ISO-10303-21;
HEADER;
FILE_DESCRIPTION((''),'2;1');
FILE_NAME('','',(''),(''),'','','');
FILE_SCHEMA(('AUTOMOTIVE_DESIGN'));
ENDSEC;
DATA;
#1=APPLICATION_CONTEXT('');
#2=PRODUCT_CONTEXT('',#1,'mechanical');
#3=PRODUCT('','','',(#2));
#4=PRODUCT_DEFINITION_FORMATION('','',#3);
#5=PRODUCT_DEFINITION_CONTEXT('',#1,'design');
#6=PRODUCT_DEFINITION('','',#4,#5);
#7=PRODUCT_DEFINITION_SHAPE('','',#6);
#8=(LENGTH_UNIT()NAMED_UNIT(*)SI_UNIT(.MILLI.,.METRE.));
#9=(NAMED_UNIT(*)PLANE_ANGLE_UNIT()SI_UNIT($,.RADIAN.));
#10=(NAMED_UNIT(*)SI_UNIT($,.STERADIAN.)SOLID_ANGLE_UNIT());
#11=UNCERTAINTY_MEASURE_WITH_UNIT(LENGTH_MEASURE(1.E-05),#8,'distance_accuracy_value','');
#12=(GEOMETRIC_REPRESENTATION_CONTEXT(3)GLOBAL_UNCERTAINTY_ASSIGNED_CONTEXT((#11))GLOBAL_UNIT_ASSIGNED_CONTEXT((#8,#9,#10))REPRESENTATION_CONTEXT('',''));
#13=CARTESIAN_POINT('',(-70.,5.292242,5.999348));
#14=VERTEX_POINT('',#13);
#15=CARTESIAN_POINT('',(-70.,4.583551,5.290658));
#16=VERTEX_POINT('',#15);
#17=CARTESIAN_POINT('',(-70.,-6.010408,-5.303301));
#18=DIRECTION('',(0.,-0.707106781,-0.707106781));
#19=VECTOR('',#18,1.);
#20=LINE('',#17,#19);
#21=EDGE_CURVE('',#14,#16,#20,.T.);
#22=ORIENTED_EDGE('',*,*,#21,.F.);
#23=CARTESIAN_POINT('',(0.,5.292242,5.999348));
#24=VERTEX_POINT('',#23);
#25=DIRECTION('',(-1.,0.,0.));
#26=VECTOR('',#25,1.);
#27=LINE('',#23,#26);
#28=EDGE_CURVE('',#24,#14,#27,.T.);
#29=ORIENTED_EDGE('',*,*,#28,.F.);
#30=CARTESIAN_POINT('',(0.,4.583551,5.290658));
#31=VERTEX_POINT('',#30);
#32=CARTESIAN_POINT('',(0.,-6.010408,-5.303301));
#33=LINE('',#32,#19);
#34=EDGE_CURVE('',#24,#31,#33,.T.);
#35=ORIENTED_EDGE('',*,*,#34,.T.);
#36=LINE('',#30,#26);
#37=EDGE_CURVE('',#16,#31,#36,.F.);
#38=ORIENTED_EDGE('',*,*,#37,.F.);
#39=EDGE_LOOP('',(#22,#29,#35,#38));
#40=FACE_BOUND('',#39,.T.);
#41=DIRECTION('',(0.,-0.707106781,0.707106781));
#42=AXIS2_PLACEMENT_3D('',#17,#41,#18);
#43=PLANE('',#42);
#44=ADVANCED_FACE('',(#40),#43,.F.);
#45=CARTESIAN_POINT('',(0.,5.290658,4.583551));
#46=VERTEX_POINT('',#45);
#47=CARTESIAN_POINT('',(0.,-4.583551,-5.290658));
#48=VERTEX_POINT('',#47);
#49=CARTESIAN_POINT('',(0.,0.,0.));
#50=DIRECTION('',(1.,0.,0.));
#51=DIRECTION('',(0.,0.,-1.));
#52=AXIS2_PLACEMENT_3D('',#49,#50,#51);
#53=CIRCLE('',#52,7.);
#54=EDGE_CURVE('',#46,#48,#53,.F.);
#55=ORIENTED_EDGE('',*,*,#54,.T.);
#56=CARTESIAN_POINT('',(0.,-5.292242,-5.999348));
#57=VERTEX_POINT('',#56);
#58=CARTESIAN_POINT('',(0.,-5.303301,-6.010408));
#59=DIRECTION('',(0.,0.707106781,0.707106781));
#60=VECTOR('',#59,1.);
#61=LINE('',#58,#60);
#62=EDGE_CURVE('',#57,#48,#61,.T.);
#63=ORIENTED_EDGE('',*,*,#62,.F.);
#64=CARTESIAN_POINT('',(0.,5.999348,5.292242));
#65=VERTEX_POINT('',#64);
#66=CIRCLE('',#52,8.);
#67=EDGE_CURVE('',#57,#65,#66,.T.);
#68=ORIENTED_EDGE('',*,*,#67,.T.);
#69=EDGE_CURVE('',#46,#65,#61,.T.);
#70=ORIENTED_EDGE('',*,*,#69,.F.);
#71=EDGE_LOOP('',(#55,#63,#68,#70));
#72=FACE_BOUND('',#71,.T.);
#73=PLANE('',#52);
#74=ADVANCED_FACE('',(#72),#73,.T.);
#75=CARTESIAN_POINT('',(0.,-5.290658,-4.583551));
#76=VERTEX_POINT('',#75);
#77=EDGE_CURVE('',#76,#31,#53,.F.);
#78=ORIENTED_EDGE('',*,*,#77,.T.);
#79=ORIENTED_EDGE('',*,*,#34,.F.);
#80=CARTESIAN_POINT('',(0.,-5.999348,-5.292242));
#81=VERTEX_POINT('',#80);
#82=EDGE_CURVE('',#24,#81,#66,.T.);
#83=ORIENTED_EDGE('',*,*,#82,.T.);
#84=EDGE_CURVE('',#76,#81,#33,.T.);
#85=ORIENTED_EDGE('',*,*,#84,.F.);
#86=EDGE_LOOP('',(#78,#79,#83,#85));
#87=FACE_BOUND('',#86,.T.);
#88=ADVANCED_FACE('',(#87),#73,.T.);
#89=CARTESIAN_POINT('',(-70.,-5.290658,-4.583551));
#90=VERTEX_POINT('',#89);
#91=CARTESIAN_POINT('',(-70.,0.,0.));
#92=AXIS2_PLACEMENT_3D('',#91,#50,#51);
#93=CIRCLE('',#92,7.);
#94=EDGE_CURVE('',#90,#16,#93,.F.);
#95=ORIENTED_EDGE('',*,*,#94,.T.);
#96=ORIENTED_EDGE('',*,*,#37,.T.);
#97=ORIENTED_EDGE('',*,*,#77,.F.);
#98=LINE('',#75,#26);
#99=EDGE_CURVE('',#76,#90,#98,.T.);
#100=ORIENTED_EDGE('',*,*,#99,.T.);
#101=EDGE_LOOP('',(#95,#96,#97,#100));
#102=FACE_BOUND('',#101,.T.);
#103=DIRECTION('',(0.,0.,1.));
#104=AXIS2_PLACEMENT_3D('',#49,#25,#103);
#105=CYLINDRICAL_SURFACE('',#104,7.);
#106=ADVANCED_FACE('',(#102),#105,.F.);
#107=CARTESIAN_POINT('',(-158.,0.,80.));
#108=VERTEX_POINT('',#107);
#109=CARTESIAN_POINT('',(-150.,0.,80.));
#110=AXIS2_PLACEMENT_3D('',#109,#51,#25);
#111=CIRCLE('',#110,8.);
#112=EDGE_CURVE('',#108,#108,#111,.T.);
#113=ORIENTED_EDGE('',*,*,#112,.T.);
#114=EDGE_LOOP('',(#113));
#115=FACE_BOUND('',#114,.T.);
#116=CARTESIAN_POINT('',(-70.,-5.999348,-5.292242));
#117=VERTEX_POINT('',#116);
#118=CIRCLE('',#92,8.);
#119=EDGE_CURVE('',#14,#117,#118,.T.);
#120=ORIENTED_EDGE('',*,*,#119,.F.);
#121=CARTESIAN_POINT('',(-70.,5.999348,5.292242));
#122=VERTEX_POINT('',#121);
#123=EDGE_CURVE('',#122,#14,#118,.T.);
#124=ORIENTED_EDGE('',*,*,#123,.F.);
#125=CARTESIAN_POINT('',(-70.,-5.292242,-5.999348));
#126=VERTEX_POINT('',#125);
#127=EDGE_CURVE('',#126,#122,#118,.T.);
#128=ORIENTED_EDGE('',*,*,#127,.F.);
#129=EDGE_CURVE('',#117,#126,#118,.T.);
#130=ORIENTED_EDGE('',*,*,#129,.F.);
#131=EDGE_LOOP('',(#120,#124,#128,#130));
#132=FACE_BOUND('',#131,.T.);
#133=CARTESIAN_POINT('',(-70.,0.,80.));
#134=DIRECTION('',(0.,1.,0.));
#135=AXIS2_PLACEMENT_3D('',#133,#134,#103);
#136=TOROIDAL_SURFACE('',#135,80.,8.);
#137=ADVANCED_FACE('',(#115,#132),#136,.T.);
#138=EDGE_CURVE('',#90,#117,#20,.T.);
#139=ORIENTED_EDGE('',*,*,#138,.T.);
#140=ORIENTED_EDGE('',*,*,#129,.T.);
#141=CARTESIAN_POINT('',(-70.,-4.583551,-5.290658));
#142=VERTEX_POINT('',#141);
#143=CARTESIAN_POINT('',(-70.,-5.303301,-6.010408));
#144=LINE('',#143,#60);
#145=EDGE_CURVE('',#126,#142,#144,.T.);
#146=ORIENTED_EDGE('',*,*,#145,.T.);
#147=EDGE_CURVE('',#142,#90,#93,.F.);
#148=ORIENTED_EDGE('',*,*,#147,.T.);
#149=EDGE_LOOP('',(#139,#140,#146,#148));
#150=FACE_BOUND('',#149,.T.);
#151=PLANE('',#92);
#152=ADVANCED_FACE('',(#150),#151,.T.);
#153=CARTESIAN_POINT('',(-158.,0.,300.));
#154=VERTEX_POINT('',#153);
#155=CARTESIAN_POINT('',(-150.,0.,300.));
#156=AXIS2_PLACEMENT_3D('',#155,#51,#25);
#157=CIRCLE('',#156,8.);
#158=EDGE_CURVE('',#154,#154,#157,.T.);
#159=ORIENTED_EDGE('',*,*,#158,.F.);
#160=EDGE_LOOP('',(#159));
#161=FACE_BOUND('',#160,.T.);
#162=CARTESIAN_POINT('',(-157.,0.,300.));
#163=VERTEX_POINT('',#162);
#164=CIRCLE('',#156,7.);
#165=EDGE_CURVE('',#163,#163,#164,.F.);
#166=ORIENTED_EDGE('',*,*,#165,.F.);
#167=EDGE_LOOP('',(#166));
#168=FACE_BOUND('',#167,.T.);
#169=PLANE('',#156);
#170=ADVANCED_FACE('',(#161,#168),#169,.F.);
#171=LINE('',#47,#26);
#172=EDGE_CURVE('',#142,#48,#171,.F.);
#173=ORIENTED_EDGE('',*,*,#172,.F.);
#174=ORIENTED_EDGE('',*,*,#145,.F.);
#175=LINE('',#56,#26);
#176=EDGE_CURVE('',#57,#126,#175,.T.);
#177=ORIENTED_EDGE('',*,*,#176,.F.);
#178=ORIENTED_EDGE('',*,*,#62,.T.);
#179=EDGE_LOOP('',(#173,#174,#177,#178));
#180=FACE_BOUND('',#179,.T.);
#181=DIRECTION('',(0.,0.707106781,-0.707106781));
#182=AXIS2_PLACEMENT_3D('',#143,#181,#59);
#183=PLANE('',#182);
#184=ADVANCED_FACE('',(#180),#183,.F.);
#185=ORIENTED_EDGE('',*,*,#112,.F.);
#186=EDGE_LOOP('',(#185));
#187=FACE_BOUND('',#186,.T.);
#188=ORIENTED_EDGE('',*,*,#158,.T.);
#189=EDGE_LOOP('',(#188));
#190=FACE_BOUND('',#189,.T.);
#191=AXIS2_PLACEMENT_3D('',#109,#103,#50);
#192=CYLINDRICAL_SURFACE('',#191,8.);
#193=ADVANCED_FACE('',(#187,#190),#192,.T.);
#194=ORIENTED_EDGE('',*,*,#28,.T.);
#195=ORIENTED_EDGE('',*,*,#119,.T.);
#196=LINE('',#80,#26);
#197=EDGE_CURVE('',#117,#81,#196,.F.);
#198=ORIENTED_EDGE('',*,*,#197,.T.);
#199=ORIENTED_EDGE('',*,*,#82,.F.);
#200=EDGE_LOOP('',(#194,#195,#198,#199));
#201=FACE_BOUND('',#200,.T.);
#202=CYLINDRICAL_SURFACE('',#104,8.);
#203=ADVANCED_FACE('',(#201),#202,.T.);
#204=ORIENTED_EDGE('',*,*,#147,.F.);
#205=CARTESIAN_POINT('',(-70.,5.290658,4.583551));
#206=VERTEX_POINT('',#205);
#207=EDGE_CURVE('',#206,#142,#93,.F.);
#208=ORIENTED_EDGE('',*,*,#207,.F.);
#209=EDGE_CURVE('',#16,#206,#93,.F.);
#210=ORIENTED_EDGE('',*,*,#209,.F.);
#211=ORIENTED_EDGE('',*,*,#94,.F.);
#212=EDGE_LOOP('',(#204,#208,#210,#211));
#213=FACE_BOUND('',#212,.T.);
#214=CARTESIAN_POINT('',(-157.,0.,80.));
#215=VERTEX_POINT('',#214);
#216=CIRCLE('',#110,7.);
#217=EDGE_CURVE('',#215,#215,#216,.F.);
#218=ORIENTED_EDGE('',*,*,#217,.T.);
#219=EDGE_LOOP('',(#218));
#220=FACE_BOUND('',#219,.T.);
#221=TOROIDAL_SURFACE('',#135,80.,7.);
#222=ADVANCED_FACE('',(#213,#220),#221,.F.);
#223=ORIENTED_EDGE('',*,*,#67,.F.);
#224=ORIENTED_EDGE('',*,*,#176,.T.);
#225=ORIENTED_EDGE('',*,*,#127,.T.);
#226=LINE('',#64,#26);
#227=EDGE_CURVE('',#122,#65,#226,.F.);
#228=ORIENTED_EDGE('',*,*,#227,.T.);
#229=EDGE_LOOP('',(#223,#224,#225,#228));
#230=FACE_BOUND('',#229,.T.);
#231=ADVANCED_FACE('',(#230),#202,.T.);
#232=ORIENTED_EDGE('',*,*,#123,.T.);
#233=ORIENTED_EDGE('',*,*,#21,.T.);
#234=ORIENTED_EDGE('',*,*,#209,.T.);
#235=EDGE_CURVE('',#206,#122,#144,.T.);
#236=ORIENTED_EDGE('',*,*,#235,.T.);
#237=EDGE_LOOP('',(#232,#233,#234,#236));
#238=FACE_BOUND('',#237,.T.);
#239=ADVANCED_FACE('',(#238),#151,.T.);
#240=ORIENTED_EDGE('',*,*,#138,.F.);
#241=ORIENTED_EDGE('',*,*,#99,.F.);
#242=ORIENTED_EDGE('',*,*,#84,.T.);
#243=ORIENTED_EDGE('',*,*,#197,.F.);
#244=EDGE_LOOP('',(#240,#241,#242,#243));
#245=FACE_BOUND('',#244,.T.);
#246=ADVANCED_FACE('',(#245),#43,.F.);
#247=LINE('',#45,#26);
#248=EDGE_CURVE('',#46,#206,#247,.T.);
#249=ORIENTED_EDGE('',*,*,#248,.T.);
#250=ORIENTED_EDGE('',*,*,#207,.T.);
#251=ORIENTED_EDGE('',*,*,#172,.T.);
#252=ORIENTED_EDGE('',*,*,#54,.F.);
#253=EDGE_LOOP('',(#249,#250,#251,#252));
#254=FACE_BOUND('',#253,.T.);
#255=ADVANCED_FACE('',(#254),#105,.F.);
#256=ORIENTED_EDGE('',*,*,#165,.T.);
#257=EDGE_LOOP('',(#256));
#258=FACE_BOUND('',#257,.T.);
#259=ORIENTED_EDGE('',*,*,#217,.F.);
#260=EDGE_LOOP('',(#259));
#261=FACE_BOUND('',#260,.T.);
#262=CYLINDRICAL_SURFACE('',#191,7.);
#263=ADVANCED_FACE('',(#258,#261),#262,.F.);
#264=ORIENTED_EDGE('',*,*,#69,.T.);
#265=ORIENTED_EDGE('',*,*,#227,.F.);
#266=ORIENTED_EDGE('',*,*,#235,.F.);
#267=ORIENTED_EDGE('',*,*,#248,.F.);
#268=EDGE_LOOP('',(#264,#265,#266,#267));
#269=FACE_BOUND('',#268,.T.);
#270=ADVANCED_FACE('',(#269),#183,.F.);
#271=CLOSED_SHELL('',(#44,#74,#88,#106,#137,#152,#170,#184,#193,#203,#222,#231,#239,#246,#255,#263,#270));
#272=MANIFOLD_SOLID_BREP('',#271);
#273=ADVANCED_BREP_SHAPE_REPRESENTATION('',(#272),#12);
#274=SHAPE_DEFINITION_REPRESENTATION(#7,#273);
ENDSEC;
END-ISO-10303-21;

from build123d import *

# Parameters (mm, degrees)
SKETCH_2_R          = 8
SKETCH_2_R_2        = 7
CUT_EXTRUDE_1_DEPTH = 70


with BuildPart() as part:
    # По траектории1: sweep along a path in Эскиз1
    with BuildLine(Plane(origin=(0, 0, 0), x_dir=(1, 0, 0), z_dir=(0, 1, 0))) as sweep_1_path:
        Line((-150, -300), (-150, -80))
        ThreePointArc((-150, -80), (-126.568542495, -23.431457505), (-70, 0))
        Line((-70, 0), (0, 0))
    # Эскиз2 → По траектории1 (sweep)
    with BuildSketch(Plane(origin=(0, 0, 0), x_dir=(0, 0, -1), z_dir=(1, 0, 0))):
        Circle(SKETCH_2_R)
        Circle(SKETCH_2_R_2, mode=Mode.SUBTRACT)
    sweep(path=sweep_1_path.line)

    # Эскиз3 → Вырез-Вытянуть1 (cut)
    with BuildSketch(Plane(origin=(0, 0, 0), x_dir=(0, 0, -1), z_dir=(1, 0, 0))):
        Polygon((5.303300859, -6.01040764), (-6.01040764, 5.303300859), (-5.303300859, 6.01040764), (6.01040764, -5.303300859), align=None)
    extrude(amount=-CUT_EXTRUDE_1_DEPTH, mode=Mode.SUBTRACT)


solid = part.part
